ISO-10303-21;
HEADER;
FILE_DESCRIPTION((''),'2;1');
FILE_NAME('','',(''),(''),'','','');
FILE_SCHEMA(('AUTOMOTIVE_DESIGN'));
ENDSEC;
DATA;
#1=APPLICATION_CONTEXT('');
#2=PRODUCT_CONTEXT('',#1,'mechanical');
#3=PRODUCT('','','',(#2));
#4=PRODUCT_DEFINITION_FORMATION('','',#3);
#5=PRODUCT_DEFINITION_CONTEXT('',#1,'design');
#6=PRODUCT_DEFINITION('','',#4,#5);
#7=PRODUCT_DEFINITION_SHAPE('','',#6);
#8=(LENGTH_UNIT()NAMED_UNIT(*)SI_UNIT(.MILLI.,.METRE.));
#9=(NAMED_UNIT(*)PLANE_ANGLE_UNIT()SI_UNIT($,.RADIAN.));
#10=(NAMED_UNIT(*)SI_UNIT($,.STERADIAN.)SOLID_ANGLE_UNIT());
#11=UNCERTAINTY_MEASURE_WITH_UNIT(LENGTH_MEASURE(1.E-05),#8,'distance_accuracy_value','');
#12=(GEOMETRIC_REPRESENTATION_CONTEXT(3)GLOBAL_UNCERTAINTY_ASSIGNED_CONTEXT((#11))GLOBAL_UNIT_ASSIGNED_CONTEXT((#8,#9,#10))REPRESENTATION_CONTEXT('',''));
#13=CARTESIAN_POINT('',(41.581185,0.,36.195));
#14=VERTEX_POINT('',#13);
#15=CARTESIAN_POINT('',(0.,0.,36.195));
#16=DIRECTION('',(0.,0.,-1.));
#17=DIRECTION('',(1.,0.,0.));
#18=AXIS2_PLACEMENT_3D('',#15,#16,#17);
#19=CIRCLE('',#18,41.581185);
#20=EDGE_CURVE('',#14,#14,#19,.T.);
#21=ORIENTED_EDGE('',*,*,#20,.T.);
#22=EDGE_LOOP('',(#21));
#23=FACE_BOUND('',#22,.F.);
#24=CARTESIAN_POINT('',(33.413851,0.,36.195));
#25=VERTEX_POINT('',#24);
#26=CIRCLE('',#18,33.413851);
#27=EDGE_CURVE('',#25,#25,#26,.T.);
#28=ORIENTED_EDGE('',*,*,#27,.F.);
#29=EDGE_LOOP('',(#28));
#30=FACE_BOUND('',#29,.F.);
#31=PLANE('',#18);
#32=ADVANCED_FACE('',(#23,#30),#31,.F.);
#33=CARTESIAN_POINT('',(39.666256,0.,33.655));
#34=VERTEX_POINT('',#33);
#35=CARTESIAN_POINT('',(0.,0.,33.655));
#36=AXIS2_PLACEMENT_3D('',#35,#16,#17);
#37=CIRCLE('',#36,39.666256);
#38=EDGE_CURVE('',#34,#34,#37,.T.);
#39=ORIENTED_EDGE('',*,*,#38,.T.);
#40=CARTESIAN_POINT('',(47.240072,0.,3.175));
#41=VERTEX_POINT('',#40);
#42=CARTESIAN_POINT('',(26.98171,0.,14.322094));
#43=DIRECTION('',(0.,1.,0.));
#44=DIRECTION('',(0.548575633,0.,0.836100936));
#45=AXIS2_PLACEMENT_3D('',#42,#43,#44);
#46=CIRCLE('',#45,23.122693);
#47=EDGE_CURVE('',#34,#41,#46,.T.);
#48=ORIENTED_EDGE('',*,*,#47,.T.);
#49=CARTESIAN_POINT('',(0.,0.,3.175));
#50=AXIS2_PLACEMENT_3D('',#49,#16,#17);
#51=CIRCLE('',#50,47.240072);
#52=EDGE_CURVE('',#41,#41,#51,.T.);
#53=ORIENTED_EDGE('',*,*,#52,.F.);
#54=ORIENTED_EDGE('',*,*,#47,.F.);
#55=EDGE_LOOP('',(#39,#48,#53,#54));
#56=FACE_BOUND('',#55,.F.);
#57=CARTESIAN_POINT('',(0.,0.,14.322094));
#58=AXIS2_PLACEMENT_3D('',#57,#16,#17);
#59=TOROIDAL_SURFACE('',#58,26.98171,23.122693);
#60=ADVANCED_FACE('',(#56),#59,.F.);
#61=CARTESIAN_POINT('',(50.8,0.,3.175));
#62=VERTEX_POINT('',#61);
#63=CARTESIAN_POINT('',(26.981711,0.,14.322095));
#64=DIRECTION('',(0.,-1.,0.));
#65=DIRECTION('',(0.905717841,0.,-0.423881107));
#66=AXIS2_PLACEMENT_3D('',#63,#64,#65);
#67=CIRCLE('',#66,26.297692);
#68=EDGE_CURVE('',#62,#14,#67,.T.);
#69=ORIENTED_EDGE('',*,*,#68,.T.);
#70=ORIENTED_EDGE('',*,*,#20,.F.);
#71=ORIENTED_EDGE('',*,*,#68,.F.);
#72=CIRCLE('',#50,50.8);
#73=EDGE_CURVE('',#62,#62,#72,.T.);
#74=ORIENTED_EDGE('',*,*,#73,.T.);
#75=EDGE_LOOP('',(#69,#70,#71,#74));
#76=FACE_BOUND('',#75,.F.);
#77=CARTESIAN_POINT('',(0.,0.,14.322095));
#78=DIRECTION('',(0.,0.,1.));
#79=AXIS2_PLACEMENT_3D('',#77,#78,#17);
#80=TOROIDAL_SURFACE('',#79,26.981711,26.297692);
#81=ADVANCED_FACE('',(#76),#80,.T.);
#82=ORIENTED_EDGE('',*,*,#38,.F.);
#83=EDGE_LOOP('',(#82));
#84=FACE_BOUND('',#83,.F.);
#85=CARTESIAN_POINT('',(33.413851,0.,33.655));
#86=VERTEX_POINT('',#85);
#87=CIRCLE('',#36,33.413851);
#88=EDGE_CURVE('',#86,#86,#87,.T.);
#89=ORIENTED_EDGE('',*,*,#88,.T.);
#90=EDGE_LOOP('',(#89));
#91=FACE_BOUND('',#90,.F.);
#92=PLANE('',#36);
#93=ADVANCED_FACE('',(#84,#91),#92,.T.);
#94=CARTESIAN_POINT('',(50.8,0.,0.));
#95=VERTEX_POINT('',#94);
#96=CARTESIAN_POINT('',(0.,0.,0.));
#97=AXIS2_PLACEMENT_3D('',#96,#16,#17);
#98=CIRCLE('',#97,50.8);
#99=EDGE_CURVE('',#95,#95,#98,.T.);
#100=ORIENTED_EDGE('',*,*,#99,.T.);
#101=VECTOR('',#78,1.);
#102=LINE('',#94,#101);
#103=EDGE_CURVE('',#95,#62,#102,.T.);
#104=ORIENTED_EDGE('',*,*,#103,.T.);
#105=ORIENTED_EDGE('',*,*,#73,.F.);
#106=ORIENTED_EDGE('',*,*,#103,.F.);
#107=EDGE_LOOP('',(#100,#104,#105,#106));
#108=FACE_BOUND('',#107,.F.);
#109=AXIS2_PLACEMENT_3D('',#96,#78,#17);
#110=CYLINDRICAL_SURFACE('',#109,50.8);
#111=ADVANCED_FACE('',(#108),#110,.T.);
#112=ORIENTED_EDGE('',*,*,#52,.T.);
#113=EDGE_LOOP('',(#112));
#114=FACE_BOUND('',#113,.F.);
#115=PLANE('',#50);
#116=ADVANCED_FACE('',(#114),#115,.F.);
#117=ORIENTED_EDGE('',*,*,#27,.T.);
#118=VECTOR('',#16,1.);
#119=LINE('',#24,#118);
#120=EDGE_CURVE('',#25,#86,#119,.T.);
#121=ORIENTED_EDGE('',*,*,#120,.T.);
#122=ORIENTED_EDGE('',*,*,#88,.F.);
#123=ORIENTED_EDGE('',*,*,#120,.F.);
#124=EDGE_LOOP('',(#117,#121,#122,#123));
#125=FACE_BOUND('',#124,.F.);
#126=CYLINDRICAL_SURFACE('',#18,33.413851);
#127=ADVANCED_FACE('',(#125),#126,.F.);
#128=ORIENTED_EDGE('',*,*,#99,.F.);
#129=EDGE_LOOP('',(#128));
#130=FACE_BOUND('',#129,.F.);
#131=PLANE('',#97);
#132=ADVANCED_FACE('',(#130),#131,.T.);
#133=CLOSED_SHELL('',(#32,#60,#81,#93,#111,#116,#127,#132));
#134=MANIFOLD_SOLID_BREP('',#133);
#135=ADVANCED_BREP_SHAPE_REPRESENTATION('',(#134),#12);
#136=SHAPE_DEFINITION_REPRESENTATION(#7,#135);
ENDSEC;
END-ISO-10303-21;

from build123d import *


with BuildPart() as f1:
    # F0 (on Front) → F1 (revolve)
    with BuildSketch(Plane.XZ):
        Polygon((0, 3.175), (0, 0), (50.8, 0), (50.8, 3.175), (47.240072, 3.175), align=None)
        with BuildLine():
            Line((47.240072, 3.175), (50.8, 3.175))
            ThreePointArc((50.8, 3.175), (52.31077, 21.393685), (41.581185, 36.195))
            Line((41.581185, 36.195), (39.666256, 33.655))
            ThreePointArc((39.666256, 33.655), (49.421995, 19.898164), (47.240072, 3.175))
        make_face()
        Polygon((39.666256, 33.655), (41.581185, 36.195), (33.413851, 36.195), (33.413851, 33.655), align=None)
    revolve(axis=Axis((0, 0, 4.551888), (0, 0, -1)))


solid = f1.part
